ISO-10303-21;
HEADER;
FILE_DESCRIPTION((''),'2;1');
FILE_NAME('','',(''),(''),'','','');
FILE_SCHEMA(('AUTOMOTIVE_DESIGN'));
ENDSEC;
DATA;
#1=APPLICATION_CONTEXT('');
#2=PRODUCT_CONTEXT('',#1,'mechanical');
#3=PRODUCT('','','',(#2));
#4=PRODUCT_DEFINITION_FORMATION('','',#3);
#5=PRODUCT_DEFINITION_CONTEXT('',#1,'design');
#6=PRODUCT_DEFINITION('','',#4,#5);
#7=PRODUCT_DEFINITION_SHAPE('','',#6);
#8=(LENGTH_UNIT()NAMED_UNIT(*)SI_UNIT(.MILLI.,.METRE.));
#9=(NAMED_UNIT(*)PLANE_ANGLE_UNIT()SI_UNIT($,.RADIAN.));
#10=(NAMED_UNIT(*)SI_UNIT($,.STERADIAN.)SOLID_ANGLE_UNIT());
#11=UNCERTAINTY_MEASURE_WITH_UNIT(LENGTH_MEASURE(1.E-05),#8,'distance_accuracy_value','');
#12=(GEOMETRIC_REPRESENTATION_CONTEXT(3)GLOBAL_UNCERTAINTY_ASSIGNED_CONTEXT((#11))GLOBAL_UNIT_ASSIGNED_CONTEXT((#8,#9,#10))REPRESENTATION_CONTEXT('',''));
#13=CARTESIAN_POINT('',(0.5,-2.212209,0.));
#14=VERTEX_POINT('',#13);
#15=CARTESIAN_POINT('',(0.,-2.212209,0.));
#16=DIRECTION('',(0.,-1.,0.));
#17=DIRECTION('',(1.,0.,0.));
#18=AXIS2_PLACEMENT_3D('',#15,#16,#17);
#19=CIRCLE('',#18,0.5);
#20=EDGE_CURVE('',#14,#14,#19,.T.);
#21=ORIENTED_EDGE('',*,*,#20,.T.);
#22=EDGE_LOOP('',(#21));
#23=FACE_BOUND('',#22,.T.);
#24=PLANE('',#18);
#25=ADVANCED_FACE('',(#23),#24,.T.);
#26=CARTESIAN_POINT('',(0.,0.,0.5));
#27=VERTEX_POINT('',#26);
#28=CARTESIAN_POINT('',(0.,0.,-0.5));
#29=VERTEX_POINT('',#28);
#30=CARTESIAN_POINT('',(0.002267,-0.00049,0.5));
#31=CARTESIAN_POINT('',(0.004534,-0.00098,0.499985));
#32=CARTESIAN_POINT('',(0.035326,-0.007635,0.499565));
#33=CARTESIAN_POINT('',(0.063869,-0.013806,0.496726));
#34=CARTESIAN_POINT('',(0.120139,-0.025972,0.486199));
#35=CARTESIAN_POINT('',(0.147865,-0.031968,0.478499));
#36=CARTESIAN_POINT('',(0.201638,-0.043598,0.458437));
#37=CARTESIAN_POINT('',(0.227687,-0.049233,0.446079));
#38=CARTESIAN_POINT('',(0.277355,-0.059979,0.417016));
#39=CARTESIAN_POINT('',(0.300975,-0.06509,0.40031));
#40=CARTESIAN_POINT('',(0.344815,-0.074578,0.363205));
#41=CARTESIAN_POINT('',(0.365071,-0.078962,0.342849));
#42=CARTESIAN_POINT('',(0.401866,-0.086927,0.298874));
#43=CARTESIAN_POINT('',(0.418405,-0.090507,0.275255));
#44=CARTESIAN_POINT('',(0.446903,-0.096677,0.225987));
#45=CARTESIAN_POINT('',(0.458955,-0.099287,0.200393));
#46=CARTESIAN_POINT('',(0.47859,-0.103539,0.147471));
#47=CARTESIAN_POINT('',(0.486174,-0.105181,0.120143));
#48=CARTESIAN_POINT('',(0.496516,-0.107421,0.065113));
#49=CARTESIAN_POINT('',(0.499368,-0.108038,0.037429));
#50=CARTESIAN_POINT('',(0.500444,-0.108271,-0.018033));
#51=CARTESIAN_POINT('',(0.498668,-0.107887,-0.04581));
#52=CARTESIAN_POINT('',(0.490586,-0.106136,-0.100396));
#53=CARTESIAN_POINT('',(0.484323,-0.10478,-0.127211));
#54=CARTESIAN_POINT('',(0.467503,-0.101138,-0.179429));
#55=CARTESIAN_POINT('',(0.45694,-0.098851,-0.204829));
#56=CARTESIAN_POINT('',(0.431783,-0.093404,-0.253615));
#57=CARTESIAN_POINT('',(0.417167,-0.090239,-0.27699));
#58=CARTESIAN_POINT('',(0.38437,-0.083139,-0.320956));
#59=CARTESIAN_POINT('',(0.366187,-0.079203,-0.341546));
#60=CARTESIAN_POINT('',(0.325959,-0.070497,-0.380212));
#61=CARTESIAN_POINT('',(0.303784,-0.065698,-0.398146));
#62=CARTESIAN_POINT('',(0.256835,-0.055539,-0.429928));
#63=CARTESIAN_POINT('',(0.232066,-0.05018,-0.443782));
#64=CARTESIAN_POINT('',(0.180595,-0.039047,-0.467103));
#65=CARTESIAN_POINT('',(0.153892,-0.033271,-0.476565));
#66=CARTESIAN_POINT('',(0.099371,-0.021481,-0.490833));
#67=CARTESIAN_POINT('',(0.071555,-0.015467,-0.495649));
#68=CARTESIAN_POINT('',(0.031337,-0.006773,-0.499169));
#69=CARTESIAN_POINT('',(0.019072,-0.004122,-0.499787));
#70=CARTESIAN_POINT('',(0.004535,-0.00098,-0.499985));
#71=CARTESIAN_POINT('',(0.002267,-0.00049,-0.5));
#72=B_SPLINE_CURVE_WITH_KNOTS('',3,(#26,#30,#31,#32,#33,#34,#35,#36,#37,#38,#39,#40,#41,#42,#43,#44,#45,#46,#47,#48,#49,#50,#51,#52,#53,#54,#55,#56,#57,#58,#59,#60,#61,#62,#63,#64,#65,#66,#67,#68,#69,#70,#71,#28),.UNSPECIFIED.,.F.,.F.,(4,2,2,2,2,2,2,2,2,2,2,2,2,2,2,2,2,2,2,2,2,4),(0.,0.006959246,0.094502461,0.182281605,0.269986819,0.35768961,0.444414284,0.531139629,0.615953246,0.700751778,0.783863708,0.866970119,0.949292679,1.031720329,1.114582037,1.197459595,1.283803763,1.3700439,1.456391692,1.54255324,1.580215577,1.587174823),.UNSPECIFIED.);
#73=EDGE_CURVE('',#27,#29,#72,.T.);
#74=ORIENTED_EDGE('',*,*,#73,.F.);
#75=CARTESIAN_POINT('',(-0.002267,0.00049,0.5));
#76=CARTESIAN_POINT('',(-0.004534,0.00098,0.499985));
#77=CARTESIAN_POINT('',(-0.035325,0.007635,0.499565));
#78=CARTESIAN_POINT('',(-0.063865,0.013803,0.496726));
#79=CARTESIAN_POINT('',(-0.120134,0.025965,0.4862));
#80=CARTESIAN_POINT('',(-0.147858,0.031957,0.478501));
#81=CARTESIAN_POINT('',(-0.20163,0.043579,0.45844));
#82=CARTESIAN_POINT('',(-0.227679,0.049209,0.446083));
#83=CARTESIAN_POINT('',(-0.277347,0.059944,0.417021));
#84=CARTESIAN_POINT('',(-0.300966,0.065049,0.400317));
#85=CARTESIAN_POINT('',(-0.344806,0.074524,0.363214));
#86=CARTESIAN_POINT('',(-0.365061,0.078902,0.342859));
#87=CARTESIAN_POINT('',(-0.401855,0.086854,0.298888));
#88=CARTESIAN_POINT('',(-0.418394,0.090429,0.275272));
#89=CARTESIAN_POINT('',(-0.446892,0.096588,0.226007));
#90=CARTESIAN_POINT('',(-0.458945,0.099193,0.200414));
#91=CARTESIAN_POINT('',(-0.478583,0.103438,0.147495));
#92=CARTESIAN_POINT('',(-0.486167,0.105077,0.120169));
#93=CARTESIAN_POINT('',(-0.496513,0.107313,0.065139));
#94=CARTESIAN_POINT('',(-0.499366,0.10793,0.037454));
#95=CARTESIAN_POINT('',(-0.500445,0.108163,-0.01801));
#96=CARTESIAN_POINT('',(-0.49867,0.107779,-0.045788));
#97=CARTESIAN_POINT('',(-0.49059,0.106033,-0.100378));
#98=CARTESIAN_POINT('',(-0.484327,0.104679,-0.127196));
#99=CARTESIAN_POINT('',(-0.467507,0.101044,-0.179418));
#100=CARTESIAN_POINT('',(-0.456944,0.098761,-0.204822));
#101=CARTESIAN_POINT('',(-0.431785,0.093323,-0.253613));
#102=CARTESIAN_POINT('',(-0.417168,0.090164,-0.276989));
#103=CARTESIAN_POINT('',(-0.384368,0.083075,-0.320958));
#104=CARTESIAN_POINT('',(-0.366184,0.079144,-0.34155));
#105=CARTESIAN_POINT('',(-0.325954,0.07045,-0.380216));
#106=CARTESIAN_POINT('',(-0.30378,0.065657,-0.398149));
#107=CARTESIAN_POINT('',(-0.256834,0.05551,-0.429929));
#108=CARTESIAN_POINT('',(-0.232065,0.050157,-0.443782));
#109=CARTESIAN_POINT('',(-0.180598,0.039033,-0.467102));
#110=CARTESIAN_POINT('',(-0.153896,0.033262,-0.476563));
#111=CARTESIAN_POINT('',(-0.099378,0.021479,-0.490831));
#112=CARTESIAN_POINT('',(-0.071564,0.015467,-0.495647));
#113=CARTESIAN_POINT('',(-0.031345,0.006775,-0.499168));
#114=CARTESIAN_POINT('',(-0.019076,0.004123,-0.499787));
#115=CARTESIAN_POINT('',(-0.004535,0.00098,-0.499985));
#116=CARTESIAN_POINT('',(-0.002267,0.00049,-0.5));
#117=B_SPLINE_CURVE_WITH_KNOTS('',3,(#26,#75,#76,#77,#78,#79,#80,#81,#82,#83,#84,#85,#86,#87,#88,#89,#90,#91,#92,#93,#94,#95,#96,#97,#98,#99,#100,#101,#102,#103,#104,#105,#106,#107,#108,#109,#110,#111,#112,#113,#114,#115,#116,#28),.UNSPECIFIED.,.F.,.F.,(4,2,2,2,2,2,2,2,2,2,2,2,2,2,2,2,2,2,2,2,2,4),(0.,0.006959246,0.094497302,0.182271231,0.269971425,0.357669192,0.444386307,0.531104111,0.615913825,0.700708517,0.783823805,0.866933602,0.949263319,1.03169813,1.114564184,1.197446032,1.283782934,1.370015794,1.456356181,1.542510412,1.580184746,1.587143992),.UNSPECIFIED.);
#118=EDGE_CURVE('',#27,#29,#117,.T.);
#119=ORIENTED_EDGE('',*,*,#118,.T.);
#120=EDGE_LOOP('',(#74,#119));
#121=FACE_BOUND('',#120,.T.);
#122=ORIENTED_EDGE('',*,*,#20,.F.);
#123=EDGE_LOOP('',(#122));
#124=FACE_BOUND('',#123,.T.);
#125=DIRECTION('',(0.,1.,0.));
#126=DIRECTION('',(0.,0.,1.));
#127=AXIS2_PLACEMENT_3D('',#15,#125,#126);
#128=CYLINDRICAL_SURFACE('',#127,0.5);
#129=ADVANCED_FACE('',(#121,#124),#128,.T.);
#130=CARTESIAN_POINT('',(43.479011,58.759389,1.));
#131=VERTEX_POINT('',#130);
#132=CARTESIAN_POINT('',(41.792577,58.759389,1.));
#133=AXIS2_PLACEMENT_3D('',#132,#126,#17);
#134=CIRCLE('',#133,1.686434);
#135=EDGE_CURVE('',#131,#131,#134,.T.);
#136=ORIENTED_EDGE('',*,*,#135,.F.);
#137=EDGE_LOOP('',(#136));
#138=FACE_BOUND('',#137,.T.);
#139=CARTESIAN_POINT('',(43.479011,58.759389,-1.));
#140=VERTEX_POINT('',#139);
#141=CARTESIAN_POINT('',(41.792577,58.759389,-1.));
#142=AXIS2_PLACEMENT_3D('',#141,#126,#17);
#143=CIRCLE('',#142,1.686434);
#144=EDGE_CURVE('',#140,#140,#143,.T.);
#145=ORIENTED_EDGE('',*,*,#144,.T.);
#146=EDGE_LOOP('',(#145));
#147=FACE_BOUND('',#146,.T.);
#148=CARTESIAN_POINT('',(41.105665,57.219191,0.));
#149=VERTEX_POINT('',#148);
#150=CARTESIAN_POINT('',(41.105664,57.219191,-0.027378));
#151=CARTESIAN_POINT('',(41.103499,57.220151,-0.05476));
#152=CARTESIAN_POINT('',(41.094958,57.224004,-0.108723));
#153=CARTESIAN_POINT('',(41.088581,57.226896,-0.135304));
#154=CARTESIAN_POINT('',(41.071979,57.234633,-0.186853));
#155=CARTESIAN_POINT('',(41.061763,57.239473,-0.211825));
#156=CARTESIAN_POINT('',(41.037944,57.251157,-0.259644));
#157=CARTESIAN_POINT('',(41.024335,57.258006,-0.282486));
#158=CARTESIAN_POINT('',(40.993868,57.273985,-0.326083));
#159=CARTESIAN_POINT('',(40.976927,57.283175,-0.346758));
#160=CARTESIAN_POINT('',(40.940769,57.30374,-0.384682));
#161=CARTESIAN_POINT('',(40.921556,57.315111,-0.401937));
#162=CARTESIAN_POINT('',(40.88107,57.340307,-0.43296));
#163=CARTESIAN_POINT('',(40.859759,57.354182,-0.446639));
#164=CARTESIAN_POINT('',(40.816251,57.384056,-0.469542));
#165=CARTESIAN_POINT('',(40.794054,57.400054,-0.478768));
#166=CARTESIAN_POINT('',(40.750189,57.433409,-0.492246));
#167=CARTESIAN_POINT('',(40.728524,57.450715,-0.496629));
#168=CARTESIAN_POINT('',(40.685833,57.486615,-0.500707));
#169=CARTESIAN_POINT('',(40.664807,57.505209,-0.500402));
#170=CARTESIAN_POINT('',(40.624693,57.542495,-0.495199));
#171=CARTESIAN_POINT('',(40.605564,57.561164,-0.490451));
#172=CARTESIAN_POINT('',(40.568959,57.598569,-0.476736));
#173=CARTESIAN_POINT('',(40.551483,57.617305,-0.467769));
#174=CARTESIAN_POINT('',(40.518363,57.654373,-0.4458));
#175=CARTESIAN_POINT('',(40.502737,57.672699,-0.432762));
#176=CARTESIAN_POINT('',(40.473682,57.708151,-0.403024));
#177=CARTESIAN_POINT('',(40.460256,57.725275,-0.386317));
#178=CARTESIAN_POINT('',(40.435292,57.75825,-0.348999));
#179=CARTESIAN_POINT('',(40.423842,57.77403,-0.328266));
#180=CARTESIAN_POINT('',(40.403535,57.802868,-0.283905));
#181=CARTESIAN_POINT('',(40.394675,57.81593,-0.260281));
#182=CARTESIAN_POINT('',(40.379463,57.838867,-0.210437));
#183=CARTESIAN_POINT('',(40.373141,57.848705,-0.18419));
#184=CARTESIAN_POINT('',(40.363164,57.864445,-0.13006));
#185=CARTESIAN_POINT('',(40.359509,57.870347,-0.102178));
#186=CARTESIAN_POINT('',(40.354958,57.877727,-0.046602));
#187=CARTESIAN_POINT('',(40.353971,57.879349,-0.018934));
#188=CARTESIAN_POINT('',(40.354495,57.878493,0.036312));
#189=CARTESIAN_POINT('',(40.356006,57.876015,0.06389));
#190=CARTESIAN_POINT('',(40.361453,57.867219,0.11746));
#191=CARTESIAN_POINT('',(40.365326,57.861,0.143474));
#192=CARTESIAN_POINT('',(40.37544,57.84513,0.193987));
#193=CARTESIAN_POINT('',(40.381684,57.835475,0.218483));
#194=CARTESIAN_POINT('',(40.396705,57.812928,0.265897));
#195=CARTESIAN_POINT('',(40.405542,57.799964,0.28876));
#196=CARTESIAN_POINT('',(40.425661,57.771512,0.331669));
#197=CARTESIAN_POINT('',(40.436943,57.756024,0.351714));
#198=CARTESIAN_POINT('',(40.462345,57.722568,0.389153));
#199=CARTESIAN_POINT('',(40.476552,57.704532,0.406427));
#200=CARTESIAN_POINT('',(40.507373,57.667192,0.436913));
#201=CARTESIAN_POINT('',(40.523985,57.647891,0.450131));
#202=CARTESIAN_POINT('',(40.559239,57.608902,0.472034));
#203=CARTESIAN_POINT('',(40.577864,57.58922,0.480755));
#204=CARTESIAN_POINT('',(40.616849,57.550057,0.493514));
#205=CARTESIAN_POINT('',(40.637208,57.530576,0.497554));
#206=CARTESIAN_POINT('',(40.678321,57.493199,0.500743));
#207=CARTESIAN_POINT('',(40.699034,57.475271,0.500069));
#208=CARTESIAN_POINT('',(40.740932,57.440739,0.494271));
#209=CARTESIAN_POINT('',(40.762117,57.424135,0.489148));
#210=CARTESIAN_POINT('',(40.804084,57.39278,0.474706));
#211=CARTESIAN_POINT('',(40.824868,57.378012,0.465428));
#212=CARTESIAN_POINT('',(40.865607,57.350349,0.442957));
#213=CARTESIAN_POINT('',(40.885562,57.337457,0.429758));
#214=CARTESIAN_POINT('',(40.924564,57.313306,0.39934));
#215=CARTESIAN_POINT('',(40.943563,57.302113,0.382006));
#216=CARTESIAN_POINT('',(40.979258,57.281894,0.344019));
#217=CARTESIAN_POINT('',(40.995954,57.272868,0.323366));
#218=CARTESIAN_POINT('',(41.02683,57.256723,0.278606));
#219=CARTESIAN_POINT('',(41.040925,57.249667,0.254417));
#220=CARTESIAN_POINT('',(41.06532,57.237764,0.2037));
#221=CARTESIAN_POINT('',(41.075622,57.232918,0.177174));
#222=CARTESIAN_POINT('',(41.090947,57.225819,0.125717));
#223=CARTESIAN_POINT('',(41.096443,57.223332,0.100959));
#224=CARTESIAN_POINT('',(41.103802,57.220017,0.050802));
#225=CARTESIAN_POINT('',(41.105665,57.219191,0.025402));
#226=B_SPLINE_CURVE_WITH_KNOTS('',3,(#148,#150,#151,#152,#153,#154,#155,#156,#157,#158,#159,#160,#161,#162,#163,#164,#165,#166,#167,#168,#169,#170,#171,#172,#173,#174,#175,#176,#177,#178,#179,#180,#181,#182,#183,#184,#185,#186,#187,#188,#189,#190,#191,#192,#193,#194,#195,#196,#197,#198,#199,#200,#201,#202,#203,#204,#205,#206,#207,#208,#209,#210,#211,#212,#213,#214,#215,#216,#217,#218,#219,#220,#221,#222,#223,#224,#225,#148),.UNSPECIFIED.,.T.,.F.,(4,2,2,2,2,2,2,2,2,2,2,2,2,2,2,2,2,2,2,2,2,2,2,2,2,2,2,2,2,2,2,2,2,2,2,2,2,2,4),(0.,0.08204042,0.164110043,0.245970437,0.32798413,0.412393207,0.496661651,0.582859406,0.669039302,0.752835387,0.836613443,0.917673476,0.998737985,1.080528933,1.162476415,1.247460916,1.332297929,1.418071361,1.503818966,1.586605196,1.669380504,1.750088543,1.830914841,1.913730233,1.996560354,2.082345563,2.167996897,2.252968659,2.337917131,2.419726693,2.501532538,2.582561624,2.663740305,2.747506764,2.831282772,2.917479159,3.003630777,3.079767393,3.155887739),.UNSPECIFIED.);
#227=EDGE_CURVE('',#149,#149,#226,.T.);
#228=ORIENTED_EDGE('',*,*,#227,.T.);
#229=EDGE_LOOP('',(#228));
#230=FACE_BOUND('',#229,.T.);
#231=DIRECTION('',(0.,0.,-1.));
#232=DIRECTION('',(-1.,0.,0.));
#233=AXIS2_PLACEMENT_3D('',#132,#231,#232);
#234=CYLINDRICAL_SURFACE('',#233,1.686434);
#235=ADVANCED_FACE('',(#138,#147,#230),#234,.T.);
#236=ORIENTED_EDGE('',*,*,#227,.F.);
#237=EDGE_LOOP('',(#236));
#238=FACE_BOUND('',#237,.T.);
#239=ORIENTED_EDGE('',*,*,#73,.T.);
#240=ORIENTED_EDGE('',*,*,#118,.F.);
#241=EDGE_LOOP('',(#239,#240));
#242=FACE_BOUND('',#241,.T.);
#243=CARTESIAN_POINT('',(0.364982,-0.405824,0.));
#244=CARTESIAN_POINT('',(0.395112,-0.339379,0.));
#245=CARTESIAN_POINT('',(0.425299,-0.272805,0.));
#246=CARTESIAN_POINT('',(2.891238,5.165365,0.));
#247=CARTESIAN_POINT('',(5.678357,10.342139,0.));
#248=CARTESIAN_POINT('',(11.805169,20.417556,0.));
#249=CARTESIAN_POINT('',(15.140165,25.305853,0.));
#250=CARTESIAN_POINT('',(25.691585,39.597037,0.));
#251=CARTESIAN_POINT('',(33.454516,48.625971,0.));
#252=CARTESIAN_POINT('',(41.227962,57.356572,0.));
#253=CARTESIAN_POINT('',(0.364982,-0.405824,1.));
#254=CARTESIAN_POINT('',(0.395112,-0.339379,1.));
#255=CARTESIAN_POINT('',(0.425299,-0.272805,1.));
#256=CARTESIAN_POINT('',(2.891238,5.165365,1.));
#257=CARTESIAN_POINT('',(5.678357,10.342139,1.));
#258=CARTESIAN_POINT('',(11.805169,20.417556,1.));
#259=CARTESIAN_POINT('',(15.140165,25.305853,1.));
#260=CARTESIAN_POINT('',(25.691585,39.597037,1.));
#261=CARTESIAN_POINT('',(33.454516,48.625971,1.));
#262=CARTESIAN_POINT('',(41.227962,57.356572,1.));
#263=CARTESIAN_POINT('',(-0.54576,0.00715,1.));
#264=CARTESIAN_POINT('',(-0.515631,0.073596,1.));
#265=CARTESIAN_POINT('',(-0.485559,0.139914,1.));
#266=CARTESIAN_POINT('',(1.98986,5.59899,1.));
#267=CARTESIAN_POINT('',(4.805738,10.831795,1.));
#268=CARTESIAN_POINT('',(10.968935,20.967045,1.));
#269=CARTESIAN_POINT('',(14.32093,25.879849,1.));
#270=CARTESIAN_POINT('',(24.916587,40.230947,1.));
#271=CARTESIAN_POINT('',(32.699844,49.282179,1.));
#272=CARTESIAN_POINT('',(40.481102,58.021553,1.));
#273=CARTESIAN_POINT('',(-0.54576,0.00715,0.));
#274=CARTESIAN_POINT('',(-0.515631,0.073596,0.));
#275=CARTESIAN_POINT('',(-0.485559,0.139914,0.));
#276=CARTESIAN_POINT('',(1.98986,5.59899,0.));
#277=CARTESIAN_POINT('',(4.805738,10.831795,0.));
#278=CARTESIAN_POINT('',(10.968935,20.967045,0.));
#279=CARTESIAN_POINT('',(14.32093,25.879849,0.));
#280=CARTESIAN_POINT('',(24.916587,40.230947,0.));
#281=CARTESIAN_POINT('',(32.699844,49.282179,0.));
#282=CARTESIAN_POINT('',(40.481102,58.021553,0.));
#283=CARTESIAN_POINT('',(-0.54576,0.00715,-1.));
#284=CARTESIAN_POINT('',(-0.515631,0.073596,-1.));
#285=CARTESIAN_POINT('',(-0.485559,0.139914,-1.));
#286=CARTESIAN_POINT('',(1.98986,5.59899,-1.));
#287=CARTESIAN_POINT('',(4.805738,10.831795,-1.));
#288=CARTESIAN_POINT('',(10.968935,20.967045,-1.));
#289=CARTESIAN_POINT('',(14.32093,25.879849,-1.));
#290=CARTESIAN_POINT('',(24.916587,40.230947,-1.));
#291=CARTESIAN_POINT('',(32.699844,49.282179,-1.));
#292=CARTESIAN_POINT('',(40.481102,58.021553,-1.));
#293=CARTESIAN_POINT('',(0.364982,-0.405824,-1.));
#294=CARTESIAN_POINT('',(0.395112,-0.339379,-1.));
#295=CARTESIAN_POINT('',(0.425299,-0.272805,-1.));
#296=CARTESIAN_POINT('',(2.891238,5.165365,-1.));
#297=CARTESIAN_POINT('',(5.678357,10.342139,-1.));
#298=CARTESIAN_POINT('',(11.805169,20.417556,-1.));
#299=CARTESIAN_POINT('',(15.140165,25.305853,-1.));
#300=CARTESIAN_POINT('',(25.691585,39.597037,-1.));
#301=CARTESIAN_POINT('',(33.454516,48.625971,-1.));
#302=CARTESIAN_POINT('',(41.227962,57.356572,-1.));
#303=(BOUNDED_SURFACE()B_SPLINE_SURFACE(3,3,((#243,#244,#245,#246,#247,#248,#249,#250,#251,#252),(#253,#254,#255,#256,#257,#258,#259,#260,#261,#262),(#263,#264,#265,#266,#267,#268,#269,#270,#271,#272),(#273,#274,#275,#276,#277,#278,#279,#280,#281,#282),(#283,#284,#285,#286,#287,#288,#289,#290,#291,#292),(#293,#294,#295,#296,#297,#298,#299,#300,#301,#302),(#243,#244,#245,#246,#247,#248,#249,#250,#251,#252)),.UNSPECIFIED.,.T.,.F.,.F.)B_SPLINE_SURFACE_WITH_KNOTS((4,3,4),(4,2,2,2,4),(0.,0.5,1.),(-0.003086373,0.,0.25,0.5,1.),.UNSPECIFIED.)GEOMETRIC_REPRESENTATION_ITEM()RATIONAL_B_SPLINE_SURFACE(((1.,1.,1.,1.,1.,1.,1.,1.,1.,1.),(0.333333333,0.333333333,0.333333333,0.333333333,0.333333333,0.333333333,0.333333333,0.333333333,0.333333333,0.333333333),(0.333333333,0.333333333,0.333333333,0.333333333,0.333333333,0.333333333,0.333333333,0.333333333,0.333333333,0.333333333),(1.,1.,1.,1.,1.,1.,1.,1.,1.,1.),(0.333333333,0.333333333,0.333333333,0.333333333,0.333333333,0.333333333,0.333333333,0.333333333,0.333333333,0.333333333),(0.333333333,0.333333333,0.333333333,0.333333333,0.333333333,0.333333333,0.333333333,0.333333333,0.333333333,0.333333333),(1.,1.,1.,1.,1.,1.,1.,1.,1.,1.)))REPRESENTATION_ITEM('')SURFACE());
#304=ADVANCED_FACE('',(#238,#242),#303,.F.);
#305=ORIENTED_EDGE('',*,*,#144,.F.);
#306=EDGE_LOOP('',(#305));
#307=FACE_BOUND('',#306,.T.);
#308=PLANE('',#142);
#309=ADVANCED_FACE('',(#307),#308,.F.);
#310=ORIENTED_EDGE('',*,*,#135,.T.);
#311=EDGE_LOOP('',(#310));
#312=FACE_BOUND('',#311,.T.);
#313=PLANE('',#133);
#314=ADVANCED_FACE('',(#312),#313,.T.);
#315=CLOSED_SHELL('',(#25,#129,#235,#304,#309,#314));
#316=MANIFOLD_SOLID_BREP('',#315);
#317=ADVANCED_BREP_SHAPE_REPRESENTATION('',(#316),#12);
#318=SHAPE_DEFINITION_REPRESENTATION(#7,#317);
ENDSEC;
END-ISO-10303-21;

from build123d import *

# Parameters (mm, degrees)
SWEEP1_PROFILE_R    = 0.5
SKETCH22_R          = 1.686433837
BOSS_EXTRUDE1_DEPTH = 1


with BuildPart() as part:
    # Sweep1: sweep along a path in Sketch1
    with BuildLine() as sweep1_path:  # in the path sketch's own coordinates; laid on its plane below (add() does not lay a ready-made edge on the line's plane)
        Line((0, -2.212208583), (0, 0))
        add(Edge.make_bspline(
            [(0, 0), (9.762155267, 21.528729543), (25.299827888, 40.219087935), (40.854531803, 57.689062495)],
            knots=[0, 0, 0, 0, 1, 1, 1, 1], degree=3))
    # Sweep1 profile (on start of the path) → Sweep1 (sweep)
    with BuildSketch(Plane.ZX.offset(-2.212208583)):
        Circle(SWEEP1_PROFILE_R)
    sweep(path=Plane.XY * sweep1_path.line, transition=Transition.RIGHT)

    # Sketch22 → Boss-Extrude1 (add, symmetric)
    with BuildSketch(Plane.XY):
        with Locations((41.792577317, 58.759388873)):
            Circle(SKETCH22_R)
    extrude(amount=BOSS_EXTRUDE1_DEPTH, both=True)


solid = part.part
